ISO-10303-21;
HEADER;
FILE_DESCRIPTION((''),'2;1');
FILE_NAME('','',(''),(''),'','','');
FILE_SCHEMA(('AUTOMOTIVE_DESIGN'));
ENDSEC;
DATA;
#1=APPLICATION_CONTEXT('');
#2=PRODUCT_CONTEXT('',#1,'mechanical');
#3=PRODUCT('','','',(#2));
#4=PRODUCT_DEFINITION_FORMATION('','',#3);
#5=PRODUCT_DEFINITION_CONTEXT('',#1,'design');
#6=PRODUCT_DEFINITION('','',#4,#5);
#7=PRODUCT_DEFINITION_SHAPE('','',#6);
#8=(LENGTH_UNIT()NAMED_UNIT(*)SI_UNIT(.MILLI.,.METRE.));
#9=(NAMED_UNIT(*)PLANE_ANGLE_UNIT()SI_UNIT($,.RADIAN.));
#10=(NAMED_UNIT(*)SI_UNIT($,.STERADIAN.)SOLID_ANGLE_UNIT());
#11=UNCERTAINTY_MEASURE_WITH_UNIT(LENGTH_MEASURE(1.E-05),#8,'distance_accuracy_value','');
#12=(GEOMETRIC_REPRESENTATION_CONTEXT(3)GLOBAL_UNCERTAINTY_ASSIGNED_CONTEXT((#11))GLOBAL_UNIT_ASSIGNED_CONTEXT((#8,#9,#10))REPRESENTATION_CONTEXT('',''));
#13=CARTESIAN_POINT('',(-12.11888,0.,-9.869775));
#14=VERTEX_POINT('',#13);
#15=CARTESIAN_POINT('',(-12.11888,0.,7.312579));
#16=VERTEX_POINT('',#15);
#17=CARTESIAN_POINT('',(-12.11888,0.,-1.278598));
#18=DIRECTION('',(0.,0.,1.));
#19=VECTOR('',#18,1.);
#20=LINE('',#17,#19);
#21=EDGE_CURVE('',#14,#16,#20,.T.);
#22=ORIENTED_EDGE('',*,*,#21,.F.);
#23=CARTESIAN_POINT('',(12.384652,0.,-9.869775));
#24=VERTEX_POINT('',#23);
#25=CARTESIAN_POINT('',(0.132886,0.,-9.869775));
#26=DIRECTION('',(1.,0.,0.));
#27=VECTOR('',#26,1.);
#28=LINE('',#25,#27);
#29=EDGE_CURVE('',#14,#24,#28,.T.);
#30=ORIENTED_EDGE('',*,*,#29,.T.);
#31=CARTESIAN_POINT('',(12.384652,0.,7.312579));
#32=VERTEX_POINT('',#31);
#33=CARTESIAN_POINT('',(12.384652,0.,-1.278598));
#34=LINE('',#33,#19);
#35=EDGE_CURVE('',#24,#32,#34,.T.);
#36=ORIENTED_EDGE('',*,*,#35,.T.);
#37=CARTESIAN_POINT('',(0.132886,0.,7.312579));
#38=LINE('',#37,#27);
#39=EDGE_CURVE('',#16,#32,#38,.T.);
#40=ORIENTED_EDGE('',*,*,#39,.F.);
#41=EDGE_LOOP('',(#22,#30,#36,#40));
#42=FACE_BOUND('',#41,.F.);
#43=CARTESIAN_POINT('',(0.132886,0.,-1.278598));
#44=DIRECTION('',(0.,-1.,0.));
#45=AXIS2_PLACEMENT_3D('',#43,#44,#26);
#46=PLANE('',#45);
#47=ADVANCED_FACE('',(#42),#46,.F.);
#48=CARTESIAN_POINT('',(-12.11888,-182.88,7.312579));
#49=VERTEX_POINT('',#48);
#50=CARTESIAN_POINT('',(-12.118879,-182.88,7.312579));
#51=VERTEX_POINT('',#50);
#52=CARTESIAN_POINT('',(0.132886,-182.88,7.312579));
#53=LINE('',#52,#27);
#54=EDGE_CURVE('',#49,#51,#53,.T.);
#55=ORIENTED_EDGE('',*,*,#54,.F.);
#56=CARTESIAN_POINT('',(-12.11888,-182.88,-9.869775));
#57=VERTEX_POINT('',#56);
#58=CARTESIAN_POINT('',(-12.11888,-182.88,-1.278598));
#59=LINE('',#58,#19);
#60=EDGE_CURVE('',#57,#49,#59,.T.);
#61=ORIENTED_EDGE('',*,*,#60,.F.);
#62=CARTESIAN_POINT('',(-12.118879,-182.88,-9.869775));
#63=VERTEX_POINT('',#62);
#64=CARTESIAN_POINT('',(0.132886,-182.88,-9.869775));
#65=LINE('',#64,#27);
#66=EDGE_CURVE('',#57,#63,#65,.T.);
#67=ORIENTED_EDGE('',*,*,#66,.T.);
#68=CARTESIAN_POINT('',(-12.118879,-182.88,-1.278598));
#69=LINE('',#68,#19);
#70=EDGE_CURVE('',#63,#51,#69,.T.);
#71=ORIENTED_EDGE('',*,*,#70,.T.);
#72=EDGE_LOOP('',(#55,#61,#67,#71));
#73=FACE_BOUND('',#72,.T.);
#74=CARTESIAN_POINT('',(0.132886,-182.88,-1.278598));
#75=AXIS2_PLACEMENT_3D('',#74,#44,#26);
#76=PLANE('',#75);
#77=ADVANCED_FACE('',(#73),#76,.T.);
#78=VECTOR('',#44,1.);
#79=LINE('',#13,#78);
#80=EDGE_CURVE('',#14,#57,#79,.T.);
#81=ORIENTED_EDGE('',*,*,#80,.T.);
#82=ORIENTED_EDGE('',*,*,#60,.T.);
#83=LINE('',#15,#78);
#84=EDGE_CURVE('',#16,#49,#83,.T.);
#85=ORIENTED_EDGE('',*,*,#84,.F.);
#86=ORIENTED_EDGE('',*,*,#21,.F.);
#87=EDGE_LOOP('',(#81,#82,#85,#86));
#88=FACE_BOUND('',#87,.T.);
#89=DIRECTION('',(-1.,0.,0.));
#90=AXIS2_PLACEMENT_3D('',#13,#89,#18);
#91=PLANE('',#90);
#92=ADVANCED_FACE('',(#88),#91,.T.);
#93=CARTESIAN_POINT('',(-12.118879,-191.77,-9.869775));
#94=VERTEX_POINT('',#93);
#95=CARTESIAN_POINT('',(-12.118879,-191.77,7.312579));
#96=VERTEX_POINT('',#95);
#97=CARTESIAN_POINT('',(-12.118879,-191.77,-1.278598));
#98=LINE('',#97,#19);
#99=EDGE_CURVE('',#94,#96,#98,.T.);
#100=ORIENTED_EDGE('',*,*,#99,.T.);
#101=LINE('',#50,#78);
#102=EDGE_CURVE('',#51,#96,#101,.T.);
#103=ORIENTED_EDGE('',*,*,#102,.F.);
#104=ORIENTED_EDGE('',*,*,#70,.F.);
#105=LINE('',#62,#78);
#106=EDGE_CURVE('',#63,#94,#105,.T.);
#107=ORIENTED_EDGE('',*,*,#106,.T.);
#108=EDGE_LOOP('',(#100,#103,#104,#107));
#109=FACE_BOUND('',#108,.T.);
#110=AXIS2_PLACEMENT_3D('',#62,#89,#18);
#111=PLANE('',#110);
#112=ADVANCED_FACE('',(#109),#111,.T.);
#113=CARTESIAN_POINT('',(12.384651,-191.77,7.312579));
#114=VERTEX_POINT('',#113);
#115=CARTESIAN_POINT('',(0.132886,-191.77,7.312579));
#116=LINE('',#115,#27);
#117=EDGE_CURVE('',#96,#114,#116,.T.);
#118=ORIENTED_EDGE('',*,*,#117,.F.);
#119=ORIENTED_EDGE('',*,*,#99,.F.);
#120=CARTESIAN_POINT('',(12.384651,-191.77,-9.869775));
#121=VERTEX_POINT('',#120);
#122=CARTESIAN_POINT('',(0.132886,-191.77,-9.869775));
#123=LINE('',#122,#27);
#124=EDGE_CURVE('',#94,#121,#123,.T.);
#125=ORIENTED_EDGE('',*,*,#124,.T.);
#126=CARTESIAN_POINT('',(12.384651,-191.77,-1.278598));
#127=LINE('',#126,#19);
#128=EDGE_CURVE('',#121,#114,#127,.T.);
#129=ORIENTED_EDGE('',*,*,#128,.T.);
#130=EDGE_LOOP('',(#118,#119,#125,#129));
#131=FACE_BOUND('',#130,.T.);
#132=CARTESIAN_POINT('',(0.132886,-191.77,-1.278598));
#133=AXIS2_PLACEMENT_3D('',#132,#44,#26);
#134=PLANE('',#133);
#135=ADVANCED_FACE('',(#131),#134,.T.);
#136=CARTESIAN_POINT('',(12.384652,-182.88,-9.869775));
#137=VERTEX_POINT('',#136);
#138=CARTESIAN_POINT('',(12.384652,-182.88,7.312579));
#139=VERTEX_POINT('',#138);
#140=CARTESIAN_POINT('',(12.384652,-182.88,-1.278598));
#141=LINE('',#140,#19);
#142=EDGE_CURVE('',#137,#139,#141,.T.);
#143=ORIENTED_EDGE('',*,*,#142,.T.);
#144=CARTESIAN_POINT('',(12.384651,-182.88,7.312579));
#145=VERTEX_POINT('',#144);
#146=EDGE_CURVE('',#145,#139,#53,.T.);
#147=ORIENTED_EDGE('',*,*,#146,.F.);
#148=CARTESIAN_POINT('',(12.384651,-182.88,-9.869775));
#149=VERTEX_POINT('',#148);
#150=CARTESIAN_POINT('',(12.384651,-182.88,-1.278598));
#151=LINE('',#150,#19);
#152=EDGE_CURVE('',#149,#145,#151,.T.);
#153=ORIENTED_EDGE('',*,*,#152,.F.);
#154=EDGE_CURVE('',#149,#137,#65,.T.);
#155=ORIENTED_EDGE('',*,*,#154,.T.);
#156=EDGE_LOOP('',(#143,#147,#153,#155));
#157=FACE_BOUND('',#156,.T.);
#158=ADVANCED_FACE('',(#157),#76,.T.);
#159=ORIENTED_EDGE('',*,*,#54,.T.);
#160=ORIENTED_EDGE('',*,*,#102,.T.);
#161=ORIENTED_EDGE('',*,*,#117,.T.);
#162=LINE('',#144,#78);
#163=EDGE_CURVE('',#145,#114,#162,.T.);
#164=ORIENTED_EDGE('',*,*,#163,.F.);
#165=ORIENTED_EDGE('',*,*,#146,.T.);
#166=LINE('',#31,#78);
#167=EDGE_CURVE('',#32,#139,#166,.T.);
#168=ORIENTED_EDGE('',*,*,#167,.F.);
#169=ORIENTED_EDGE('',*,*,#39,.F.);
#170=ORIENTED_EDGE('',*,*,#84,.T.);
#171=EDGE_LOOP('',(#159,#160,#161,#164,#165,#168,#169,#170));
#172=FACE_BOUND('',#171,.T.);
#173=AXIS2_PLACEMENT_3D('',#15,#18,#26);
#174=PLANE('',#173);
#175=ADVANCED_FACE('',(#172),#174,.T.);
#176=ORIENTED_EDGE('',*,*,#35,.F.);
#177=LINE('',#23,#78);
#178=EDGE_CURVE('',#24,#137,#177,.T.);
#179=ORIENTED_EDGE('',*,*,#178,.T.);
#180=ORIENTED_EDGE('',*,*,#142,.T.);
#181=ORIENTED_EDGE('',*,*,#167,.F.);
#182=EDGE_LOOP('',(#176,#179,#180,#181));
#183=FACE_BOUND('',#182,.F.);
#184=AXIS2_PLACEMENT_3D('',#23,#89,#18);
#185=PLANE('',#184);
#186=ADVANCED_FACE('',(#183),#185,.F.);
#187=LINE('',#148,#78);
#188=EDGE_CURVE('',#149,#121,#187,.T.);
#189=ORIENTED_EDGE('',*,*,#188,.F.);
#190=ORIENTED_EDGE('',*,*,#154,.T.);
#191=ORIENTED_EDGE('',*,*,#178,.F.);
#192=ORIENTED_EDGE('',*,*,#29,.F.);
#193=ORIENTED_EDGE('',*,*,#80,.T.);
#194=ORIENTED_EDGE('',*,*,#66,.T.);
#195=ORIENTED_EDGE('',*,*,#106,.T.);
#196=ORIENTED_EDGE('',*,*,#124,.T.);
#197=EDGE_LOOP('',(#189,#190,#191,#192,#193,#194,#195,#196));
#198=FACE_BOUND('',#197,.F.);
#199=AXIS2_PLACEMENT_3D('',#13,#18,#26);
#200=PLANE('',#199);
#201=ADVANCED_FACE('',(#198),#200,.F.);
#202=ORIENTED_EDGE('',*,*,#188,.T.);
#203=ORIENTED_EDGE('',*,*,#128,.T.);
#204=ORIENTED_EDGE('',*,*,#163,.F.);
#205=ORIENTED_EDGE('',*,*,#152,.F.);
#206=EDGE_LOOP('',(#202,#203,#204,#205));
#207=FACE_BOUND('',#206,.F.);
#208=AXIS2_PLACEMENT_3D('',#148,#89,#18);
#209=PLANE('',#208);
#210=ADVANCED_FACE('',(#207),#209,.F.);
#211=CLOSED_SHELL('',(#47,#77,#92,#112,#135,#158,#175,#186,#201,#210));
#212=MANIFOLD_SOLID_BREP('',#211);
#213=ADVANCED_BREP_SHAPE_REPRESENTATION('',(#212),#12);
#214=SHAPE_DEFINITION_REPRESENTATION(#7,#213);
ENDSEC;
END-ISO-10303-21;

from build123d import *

# Parameters (mm, degrees)
F0_W      = 24.503531
F0_H      = 17.182354
F0_W_2    = 19.423531
F0_H_2    = 12.102353
F1_DEPTH  = 182.88
F1_FACE_W = 24.50353
F1_FACE_H = 17.182354
F2_DEPTH  = 8.89


with BuildPart() as f1:
    # F0 (on Front) → F1 (new body)
    with BuildSketch(Plane.XZ):
        with Locations((0.132886, -1.278598)):
            Rectangle(F0_W, F0_H)
        with Locations((0.132885, -1.278598)):
            Rectangle(F0_W_2, F0_H_2, mode=Mode.SUBTRACT)
        with Locations((0.132885, -1.278598)):
            Rectangle(F0_W_2, F0_H_2)
    extrude(amount=F1_DEPTH)

    # F1_face (on face) → F2 (join)
    with BuildSketch(Plane(origin=(0.132886, -182.88, -1.278598), x_dir=(1, 0, 0), z_dir=(0, -1, 0))):
        Rectangle(F1_FACE_W, F1_FACE_H)
    extrude(amount=F2_DEPTH)


solid = f1.part
